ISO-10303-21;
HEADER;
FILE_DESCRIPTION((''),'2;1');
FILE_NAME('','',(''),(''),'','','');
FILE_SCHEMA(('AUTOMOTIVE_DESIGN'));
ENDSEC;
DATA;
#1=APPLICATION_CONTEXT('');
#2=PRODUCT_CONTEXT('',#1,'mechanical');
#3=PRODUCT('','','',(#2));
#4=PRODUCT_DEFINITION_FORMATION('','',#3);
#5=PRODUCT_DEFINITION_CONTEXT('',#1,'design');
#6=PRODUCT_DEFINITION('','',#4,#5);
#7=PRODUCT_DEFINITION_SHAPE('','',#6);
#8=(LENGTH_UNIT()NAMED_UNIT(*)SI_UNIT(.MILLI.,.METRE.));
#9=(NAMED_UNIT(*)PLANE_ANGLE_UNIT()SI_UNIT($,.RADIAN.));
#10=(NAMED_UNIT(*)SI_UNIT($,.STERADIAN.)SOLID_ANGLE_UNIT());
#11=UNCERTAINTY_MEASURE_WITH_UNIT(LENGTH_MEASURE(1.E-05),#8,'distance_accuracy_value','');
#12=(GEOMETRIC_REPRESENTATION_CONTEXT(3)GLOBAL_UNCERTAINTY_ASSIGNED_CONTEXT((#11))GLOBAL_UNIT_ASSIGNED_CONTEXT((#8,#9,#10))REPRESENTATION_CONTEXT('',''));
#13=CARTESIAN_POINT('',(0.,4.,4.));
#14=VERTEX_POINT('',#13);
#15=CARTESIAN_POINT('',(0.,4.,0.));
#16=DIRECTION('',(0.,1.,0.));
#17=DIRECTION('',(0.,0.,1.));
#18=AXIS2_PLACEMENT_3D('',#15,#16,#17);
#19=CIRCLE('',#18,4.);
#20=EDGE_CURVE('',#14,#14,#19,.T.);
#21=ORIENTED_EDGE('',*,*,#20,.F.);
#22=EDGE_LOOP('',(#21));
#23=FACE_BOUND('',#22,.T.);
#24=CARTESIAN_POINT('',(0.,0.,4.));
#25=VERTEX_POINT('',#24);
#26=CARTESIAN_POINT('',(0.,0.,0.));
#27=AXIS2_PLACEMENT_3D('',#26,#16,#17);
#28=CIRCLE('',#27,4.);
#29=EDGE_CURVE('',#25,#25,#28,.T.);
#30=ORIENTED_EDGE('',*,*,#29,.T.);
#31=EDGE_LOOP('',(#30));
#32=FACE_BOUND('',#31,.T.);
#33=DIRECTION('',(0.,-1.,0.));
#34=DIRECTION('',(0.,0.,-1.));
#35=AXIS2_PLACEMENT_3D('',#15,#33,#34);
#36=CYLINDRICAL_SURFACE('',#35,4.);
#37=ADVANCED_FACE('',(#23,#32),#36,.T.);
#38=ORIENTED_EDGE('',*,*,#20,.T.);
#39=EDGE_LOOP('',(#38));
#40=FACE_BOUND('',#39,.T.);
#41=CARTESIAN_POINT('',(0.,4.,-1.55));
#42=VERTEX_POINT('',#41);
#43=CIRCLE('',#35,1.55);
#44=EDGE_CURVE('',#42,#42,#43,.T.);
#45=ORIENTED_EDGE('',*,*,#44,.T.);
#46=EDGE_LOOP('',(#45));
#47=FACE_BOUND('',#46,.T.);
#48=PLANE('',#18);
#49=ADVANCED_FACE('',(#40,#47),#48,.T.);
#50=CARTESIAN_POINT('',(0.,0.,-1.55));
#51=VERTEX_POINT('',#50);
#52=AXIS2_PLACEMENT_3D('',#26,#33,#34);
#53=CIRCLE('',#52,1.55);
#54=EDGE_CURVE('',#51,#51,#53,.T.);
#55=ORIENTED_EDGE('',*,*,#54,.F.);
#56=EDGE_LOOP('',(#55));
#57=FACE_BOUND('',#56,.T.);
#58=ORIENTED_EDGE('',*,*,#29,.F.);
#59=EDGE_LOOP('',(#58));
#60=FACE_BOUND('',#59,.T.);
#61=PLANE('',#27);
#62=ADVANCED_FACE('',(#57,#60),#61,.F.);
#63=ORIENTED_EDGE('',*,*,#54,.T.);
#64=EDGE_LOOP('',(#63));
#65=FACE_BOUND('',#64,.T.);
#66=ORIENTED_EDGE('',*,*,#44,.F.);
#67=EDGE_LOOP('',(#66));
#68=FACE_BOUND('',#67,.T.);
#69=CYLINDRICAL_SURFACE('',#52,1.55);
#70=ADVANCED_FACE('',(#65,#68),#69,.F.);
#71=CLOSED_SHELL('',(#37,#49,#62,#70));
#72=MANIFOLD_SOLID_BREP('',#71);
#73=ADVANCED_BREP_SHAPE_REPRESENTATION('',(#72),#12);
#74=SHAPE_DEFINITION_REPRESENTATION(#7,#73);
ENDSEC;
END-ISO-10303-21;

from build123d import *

# Parameters (mm, degrees)
SKETCH1_R              = 4
BOSS_EXTRUDE1_DEPTH    = 4
M2_5_CLEARANCE_HOLE1_D = 3.1


with BuildPart() as part:
    # Sketch1 → Boss-Extrude1 (new body)
    with BuildSketch(Plane(origin=(0, 0, 0), x_dir=(1, 0, 0), z_dir=(0, 1, 0))):
        with Locations(Location((0, 0, 0), (0, 0, 270))):
            Circle(SKETCH1_R)
    extrude(amount=BOSS_EXTRUDE1_DEPTH)

    # M2.5 Clearance Hole1 (through all)
    with Locations(Plane(origin=(0, 0, 0), x_dir=(-1, 0, 0), z_dir=(0, -1, 0))):
        with Locations((0, 0)):
            Hole(M2_5_CLEARANCE_HOLE1_D / 2)


solid = part.part
